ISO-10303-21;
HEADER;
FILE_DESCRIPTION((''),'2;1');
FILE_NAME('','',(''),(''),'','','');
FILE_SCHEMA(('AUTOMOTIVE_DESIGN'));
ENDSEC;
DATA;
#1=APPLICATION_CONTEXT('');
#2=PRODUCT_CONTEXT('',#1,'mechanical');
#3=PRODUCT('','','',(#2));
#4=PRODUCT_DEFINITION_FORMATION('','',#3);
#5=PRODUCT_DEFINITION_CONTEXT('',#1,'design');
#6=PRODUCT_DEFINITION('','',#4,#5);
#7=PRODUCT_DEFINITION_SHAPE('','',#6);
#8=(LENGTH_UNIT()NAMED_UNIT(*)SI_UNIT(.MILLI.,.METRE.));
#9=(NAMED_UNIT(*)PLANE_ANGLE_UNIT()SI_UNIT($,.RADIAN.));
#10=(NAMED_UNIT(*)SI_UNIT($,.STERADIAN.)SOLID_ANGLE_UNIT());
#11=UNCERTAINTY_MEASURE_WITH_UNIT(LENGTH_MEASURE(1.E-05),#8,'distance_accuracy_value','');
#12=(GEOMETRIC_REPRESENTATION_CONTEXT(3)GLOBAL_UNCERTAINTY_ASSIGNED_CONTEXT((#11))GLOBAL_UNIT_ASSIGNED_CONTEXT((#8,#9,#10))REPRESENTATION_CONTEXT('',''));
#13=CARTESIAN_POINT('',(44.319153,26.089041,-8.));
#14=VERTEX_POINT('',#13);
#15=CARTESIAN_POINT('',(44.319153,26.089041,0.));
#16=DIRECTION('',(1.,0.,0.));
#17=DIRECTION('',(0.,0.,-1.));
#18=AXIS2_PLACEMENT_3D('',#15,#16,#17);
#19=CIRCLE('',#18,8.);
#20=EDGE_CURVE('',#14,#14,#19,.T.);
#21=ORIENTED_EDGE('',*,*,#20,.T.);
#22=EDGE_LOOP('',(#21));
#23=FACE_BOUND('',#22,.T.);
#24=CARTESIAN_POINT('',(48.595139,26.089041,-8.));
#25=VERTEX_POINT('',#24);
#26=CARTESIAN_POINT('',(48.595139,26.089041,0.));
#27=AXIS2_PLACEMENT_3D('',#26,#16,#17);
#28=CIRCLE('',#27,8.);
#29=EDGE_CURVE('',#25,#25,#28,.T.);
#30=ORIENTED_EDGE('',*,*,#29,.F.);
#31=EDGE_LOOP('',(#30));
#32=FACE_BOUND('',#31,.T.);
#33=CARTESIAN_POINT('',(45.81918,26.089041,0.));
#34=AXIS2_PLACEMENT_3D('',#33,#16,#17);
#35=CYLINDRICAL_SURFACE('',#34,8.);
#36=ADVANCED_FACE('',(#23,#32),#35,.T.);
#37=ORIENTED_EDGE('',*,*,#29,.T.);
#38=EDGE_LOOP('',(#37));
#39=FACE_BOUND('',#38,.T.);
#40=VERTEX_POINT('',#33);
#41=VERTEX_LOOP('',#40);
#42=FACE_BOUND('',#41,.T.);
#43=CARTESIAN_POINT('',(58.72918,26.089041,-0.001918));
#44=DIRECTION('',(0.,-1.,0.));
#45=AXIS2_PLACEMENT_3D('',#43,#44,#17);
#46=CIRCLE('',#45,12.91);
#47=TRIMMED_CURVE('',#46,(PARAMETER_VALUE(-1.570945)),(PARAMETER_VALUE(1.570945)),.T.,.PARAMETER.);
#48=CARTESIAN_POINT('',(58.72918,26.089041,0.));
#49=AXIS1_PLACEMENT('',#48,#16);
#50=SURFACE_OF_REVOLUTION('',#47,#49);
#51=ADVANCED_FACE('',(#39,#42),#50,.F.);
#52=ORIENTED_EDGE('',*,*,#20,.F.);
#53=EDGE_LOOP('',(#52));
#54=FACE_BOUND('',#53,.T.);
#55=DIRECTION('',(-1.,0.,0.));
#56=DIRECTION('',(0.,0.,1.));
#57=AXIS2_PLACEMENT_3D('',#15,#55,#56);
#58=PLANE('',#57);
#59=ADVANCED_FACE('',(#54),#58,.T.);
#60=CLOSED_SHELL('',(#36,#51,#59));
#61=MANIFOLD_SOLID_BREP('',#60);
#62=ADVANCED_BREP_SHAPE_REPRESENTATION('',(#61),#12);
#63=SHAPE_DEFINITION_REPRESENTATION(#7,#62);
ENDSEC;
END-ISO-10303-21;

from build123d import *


with BuildPart() as part:
    # 草图1 → 旋转1 (revolve)
    with BuildSketch(Plane.XY, mode=Mode.PRIVATE) as revolve_1_sk:
        with BuildLine():
            Line((44.319152693, 26.089041149), (44.319152693, 34.089041149))
            Line((44.319152693, 34.089041149), (48.595138815, 34.089041149))
            ThreePointArc((48.595138815, 34.089041149), (46.532583909, 30.323115392), (45.819180195, 26.089041149))
            Line((45.819180195, 26.089041149), (44.319152693, 26.089041149))
        make_face()
    revolve(revolve_1_sk.sketch.rotate(Axis((45.819180195, 26.089041149, 0), (-1, 0, 0)), 90), axis=Axis((45.819180195, 26.089041149, 0), (-1, 0, 0)))  # turned: the seam where the file's is


solid = part.part
